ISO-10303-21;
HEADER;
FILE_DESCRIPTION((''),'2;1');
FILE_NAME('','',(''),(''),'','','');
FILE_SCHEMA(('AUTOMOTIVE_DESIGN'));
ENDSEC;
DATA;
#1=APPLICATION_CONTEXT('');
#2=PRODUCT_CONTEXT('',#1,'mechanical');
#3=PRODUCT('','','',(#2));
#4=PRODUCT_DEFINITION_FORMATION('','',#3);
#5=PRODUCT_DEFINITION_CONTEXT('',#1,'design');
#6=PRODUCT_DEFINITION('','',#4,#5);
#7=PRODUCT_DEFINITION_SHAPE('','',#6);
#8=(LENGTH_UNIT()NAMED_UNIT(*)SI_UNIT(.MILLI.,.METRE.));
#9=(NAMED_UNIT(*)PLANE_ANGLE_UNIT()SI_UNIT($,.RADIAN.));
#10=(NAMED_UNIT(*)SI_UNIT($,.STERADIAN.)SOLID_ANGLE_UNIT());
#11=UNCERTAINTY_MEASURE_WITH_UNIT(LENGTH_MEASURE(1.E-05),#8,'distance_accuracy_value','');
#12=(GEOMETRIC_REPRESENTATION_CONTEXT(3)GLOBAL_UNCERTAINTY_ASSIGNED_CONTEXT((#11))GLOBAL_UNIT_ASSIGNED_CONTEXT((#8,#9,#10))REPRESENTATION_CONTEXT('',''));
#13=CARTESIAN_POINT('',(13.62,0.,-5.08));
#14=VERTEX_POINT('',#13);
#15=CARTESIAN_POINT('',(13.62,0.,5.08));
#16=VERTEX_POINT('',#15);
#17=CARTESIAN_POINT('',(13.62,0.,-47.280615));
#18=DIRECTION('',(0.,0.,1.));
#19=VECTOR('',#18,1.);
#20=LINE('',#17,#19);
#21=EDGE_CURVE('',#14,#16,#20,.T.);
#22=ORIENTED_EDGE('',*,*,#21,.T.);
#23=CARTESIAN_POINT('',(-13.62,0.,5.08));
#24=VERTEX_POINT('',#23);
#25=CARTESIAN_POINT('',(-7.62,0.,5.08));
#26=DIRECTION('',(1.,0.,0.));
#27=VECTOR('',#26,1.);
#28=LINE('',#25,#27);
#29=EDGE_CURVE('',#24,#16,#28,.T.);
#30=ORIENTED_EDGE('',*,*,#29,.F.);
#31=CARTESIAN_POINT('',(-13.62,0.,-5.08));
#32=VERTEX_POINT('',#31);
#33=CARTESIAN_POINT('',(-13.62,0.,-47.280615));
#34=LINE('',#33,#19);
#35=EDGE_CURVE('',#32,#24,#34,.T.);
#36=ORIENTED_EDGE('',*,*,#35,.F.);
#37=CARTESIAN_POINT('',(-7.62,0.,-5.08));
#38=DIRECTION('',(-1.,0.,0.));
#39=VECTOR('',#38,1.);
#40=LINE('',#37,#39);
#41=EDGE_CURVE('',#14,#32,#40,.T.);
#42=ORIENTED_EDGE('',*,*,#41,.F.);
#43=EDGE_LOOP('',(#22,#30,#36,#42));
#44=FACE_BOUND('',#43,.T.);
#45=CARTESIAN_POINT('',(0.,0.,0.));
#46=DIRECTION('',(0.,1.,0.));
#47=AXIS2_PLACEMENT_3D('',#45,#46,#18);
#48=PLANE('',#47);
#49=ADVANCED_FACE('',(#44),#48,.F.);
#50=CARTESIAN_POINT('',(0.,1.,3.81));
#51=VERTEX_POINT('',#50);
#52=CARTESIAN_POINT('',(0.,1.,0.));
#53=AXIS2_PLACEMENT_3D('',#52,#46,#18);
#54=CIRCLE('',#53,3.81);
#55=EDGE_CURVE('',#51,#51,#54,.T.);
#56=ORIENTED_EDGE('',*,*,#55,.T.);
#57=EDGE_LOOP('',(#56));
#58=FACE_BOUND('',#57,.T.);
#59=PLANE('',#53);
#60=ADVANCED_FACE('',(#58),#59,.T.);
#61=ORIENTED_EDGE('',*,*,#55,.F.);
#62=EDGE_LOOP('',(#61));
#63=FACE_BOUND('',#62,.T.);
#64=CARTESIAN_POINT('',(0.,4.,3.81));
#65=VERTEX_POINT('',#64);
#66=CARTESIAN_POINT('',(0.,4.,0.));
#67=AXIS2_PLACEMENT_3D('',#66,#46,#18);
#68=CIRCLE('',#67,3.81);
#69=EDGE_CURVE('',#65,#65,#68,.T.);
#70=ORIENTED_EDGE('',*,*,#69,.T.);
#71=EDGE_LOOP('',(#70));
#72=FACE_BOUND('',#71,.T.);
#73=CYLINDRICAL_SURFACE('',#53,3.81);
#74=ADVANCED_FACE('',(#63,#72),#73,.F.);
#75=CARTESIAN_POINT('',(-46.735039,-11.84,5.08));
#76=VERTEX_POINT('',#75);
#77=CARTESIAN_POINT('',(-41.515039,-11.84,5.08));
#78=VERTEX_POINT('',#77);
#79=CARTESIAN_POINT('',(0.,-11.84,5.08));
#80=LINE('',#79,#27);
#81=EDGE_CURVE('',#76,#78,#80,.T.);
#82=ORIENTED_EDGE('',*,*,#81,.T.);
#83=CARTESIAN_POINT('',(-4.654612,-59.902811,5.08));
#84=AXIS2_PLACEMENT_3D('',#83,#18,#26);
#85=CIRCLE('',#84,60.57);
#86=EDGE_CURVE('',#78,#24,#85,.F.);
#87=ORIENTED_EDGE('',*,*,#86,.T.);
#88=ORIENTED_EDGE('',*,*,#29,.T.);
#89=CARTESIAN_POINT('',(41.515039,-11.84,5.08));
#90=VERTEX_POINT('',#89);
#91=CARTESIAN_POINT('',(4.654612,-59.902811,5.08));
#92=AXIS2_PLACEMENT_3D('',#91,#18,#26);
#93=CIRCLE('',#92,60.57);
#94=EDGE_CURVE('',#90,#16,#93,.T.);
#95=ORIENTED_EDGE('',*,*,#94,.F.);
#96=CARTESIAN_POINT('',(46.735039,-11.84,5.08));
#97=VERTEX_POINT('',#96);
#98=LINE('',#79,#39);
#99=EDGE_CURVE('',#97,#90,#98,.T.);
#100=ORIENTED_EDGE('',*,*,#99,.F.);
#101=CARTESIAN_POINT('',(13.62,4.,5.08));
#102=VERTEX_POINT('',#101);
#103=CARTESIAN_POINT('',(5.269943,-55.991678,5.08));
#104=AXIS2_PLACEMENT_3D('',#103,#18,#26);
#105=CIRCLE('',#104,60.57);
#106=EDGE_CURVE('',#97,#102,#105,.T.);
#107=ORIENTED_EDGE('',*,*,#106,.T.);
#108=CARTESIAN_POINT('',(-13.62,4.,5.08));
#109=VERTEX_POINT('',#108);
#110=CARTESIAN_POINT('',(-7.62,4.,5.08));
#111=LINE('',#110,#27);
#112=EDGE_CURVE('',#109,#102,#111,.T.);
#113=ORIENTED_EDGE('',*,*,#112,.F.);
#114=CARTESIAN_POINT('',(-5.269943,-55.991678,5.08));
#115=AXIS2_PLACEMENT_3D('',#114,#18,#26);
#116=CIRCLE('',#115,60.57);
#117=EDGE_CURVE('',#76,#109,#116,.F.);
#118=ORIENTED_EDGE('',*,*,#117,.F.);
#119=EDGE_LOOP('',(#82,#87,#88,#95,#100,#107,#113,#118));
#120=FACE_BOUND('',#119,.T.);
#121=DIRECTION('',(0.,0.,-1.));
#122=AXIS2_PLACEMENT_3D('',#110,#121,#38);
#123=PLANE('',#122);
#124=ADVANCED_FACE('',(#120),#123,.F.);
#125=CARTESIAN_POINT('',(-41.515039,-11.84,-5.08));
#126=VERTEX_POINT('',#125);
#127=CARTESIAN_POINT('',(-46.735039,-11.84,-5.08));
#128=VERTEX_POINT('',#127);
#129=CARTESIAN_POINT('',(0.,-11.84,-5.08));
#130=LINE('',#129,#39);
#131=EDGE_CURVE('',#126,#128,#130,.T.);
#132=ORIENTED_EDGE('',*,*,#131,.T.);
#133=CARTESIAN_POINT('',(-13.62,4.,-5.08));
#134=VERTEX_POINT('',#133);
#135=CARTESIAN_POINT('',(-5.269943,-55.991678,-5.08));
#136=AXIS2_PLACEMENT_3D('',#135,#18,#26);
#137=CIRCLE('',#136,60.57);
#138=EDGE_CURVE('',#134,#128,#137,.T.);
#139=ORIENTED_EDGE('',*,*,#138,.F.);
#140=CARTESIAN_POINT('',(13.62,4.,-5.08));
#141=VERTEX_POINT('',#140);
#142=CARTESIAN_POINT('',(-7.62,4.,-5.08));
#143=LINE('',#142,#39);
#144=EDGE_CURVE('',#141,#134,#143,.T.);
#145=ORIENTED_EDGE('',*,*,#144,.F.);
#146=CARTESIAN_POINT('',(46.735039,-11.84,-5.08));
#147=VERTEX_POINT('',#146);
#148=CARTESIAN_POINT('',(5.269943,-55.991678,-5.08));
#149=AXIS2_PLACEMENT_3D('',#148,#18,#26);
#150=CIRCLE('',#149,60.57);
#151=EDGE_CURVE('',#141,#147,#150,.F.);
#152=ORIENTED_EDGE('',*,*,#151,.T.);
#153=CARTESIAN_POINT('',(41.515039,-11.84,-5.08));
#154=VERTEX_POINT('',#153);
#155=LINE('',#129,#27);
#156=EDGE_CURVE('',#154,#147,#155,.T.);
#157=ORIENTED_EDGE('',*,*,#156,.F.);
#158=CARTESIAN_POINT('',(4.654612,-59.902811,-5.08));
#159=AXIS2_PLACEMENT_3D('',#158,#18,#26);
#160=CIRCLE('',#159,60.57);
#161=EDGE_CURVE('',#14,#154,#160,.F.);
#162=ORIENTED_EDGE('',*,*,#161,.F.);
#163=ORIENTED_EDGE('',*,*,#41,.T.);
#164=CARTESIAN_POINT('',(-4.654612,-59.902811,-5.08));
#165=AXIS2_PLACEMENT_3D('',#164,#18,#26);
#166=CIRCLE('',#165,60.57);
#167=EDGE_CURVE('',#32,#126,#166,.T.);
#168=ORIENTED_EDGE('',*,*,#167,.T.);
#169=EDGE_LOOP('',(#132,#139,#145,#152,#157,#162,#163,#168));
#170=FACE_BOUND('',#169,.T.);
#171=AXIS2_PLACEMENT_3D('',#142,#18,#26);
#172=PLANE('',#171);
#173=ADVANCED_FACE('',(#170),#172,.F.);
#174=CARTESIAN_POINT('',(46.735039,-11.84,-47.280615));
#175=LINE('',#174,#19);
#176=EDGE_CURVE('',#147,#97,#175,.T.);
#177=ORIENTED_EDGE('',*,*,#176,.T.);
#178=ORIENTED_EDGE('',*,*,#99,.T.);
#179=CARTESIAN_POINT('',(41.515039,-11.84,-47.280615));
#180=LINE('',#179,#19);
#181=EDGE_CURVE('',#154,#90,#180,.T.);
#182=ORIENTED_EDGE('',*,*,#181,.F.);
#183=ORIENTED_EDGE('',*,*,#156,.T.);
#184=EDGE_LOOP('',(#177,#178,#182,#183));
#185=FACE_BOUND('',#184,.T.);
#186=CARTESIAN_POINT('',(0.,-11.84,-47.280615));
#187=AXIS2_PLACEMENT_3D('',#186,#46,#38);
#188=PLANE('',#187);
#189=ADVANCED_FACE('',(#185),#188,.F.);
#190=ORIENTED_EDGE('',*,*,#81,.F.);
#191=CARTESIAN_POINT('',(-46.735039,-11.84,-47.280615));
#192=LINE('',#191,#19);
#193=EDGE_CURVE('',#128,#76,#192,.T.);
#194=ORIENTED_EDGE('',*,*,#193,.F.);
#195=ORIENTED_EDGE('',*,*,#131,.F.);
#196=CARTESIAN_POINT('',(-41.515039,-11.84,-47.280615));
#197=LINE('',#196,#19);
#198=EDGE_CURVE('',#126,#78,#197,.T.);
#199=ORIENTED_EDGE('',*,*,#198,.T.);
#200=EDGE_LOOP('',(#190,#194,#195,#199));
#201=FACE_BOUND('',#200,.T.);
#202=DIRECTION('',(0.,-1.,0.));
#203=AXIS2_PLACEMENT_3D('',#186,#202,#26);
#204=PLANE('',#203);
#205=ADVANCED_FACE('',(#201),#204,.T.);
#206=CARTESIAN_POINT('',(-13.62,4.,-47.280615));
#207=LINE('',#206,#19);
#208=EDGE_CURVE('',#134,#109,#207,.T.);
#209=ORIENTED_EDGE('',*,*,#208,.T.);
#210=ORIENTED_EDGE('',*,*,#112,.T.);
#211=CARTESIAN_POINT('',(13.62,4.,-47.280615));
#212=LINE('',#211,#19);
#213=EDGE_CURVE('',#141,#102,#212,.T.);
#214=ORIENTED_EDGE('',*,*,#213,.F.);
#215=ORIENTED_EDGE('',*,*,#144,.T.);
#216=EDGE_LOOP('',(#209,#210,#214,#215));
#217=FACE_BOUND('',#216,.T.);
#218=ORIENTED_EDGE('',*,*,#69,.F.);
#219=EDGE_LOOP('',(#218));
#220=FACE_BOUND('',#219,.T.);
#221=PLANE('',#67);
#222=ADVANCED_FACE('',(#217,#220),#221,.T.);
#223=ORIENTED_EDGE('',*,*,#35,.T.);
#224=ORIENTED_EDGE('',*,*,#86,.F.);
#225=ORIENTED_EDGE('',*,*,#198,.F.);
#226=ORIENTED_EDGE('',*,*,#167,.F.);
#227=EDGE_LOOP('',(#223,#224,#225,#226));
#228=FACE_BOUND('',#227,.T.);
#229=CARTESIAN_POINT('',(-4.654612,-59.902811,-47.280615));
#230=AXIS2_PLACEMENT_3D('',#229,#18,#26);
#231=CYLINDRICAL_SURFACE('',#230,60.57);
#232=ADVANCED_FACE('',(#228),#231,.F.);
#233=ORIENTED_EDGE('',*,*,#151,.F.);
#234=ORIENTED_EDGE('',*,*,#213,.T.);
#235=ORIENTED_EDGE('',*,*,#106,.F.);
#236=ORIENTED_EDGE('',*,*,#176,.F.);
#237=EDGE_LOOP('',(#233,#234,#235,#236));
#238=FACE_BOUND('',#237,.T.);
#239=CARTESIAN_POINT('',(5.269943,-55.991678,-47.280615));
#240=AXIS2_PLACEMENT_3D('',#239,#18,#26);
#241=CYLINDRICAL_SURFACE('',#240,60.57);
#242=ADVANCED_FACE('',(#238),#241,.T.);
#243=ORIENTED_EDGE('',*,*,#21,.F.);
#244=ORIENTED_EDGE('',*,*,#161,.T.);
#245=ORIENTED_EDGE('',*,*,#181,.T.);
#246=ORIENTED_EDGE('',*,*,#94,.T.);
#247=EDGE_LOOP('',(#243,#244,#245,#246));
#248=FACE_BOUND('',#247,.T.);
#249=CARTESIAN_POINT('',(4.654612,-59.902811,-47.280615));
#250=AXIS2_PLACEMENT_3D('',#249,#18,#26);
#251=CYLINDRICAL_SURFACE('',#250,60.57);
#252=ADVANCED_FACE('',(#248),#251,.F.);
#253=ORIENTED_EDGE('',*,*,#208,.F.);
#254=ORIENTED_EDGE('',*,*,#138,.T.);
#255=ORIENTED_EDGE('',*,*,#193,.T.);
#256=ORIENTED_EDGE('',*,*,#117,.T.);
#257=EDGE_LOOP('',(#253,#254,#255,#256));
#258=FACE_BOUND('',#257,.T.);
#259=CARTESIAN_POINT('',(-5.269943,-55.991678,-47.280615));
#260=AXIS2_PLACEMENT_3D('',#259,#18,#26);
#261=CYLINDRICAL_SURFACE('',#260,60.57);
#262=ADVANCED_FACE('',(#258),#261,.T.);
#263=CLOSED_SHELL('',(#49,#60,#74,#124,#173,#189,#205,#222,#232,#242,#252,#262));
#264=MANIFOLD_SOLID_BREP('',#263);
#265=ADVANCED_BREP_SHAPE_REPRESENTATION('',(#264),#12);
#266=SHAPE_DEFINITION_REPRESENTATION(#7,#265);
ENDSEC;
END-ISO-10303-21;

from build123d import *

# Parameters (mm, degrees)
SKETCH1_W           = 15.24
SKETCH1_H           = 10.16
BOSS_EXTRUDE1_DEPTH = 4
SKETCH2_R           = 3.81
CUT_EXTRUDE1_DEPTH  = 3
BOSS_EXTRUDE2_DEPTH = 10.16


with BuildPart() as part:
    # Sketch1 → Boss-Extrude1 (new body)
    with BuildSketch(Plane(origin=(0, 0, 0), x_dir=(1, 0, 0), z_dir=(0, 1, 0))):
        Rectangle(SKETCH1_W, SKETCH1_H)
    extrude(amount=BOSS_EXTRUDE1_DEPTH)

    # Sketch2 → Cut-Extrude1 (cut)
    with BuildSketch(Plane(origin=(0, 4, 0), x_dir=(1, 0, 0), z_dir=(0, 1, 0))):
        Circle(SKETCH2_R)
    extrude(amount=-CUT_EXTRUDE1_DEPTH, mode=Mode.SUBTRACT)

    # Sketch3 → Boss-Extrude2 (add)
    with BuildSketch(Plane.XY.offset(5.08)):
        with BuildLine():
            Line((13.62, 4), (7.62, 4))
            Line((7.62, 4), (7.62, 0))
            Line((7.62, 0), (13.62, 0))
            ThreePointArc((13.62, 0), (28.319939798, -4.147298344), (41.51503945, -11.84))
            Line((41.51503945, -11.84), (46.73503945, -11.84))
            ThreePointArc((46.73503945, -11.84), (31.406388408, -1.350932139), (13.62, 4))
        make_face()
        with BuildLine():
            ThreePointArc((-13.62, 4), (-31.406388408, -1.350932139), (-46.73503945, -11.84))
            Line((-46.73503945, -11.84), (-41.51503945, -11.84))
            ThreePointArc((-41.51503945, -11.84), (-28.319939798, -4.147298344), (-13.62, 0))
            Line((-13.62, 0), (-7.62, 0))
            Line((-7.62, 0), (-7.62, 4))
            Line((-7.62, 4), (-13.62, 4))
        make_face()
    extrude(amount=-BOSS_EXTRUDE2_DEPTH)


solid = part.part
